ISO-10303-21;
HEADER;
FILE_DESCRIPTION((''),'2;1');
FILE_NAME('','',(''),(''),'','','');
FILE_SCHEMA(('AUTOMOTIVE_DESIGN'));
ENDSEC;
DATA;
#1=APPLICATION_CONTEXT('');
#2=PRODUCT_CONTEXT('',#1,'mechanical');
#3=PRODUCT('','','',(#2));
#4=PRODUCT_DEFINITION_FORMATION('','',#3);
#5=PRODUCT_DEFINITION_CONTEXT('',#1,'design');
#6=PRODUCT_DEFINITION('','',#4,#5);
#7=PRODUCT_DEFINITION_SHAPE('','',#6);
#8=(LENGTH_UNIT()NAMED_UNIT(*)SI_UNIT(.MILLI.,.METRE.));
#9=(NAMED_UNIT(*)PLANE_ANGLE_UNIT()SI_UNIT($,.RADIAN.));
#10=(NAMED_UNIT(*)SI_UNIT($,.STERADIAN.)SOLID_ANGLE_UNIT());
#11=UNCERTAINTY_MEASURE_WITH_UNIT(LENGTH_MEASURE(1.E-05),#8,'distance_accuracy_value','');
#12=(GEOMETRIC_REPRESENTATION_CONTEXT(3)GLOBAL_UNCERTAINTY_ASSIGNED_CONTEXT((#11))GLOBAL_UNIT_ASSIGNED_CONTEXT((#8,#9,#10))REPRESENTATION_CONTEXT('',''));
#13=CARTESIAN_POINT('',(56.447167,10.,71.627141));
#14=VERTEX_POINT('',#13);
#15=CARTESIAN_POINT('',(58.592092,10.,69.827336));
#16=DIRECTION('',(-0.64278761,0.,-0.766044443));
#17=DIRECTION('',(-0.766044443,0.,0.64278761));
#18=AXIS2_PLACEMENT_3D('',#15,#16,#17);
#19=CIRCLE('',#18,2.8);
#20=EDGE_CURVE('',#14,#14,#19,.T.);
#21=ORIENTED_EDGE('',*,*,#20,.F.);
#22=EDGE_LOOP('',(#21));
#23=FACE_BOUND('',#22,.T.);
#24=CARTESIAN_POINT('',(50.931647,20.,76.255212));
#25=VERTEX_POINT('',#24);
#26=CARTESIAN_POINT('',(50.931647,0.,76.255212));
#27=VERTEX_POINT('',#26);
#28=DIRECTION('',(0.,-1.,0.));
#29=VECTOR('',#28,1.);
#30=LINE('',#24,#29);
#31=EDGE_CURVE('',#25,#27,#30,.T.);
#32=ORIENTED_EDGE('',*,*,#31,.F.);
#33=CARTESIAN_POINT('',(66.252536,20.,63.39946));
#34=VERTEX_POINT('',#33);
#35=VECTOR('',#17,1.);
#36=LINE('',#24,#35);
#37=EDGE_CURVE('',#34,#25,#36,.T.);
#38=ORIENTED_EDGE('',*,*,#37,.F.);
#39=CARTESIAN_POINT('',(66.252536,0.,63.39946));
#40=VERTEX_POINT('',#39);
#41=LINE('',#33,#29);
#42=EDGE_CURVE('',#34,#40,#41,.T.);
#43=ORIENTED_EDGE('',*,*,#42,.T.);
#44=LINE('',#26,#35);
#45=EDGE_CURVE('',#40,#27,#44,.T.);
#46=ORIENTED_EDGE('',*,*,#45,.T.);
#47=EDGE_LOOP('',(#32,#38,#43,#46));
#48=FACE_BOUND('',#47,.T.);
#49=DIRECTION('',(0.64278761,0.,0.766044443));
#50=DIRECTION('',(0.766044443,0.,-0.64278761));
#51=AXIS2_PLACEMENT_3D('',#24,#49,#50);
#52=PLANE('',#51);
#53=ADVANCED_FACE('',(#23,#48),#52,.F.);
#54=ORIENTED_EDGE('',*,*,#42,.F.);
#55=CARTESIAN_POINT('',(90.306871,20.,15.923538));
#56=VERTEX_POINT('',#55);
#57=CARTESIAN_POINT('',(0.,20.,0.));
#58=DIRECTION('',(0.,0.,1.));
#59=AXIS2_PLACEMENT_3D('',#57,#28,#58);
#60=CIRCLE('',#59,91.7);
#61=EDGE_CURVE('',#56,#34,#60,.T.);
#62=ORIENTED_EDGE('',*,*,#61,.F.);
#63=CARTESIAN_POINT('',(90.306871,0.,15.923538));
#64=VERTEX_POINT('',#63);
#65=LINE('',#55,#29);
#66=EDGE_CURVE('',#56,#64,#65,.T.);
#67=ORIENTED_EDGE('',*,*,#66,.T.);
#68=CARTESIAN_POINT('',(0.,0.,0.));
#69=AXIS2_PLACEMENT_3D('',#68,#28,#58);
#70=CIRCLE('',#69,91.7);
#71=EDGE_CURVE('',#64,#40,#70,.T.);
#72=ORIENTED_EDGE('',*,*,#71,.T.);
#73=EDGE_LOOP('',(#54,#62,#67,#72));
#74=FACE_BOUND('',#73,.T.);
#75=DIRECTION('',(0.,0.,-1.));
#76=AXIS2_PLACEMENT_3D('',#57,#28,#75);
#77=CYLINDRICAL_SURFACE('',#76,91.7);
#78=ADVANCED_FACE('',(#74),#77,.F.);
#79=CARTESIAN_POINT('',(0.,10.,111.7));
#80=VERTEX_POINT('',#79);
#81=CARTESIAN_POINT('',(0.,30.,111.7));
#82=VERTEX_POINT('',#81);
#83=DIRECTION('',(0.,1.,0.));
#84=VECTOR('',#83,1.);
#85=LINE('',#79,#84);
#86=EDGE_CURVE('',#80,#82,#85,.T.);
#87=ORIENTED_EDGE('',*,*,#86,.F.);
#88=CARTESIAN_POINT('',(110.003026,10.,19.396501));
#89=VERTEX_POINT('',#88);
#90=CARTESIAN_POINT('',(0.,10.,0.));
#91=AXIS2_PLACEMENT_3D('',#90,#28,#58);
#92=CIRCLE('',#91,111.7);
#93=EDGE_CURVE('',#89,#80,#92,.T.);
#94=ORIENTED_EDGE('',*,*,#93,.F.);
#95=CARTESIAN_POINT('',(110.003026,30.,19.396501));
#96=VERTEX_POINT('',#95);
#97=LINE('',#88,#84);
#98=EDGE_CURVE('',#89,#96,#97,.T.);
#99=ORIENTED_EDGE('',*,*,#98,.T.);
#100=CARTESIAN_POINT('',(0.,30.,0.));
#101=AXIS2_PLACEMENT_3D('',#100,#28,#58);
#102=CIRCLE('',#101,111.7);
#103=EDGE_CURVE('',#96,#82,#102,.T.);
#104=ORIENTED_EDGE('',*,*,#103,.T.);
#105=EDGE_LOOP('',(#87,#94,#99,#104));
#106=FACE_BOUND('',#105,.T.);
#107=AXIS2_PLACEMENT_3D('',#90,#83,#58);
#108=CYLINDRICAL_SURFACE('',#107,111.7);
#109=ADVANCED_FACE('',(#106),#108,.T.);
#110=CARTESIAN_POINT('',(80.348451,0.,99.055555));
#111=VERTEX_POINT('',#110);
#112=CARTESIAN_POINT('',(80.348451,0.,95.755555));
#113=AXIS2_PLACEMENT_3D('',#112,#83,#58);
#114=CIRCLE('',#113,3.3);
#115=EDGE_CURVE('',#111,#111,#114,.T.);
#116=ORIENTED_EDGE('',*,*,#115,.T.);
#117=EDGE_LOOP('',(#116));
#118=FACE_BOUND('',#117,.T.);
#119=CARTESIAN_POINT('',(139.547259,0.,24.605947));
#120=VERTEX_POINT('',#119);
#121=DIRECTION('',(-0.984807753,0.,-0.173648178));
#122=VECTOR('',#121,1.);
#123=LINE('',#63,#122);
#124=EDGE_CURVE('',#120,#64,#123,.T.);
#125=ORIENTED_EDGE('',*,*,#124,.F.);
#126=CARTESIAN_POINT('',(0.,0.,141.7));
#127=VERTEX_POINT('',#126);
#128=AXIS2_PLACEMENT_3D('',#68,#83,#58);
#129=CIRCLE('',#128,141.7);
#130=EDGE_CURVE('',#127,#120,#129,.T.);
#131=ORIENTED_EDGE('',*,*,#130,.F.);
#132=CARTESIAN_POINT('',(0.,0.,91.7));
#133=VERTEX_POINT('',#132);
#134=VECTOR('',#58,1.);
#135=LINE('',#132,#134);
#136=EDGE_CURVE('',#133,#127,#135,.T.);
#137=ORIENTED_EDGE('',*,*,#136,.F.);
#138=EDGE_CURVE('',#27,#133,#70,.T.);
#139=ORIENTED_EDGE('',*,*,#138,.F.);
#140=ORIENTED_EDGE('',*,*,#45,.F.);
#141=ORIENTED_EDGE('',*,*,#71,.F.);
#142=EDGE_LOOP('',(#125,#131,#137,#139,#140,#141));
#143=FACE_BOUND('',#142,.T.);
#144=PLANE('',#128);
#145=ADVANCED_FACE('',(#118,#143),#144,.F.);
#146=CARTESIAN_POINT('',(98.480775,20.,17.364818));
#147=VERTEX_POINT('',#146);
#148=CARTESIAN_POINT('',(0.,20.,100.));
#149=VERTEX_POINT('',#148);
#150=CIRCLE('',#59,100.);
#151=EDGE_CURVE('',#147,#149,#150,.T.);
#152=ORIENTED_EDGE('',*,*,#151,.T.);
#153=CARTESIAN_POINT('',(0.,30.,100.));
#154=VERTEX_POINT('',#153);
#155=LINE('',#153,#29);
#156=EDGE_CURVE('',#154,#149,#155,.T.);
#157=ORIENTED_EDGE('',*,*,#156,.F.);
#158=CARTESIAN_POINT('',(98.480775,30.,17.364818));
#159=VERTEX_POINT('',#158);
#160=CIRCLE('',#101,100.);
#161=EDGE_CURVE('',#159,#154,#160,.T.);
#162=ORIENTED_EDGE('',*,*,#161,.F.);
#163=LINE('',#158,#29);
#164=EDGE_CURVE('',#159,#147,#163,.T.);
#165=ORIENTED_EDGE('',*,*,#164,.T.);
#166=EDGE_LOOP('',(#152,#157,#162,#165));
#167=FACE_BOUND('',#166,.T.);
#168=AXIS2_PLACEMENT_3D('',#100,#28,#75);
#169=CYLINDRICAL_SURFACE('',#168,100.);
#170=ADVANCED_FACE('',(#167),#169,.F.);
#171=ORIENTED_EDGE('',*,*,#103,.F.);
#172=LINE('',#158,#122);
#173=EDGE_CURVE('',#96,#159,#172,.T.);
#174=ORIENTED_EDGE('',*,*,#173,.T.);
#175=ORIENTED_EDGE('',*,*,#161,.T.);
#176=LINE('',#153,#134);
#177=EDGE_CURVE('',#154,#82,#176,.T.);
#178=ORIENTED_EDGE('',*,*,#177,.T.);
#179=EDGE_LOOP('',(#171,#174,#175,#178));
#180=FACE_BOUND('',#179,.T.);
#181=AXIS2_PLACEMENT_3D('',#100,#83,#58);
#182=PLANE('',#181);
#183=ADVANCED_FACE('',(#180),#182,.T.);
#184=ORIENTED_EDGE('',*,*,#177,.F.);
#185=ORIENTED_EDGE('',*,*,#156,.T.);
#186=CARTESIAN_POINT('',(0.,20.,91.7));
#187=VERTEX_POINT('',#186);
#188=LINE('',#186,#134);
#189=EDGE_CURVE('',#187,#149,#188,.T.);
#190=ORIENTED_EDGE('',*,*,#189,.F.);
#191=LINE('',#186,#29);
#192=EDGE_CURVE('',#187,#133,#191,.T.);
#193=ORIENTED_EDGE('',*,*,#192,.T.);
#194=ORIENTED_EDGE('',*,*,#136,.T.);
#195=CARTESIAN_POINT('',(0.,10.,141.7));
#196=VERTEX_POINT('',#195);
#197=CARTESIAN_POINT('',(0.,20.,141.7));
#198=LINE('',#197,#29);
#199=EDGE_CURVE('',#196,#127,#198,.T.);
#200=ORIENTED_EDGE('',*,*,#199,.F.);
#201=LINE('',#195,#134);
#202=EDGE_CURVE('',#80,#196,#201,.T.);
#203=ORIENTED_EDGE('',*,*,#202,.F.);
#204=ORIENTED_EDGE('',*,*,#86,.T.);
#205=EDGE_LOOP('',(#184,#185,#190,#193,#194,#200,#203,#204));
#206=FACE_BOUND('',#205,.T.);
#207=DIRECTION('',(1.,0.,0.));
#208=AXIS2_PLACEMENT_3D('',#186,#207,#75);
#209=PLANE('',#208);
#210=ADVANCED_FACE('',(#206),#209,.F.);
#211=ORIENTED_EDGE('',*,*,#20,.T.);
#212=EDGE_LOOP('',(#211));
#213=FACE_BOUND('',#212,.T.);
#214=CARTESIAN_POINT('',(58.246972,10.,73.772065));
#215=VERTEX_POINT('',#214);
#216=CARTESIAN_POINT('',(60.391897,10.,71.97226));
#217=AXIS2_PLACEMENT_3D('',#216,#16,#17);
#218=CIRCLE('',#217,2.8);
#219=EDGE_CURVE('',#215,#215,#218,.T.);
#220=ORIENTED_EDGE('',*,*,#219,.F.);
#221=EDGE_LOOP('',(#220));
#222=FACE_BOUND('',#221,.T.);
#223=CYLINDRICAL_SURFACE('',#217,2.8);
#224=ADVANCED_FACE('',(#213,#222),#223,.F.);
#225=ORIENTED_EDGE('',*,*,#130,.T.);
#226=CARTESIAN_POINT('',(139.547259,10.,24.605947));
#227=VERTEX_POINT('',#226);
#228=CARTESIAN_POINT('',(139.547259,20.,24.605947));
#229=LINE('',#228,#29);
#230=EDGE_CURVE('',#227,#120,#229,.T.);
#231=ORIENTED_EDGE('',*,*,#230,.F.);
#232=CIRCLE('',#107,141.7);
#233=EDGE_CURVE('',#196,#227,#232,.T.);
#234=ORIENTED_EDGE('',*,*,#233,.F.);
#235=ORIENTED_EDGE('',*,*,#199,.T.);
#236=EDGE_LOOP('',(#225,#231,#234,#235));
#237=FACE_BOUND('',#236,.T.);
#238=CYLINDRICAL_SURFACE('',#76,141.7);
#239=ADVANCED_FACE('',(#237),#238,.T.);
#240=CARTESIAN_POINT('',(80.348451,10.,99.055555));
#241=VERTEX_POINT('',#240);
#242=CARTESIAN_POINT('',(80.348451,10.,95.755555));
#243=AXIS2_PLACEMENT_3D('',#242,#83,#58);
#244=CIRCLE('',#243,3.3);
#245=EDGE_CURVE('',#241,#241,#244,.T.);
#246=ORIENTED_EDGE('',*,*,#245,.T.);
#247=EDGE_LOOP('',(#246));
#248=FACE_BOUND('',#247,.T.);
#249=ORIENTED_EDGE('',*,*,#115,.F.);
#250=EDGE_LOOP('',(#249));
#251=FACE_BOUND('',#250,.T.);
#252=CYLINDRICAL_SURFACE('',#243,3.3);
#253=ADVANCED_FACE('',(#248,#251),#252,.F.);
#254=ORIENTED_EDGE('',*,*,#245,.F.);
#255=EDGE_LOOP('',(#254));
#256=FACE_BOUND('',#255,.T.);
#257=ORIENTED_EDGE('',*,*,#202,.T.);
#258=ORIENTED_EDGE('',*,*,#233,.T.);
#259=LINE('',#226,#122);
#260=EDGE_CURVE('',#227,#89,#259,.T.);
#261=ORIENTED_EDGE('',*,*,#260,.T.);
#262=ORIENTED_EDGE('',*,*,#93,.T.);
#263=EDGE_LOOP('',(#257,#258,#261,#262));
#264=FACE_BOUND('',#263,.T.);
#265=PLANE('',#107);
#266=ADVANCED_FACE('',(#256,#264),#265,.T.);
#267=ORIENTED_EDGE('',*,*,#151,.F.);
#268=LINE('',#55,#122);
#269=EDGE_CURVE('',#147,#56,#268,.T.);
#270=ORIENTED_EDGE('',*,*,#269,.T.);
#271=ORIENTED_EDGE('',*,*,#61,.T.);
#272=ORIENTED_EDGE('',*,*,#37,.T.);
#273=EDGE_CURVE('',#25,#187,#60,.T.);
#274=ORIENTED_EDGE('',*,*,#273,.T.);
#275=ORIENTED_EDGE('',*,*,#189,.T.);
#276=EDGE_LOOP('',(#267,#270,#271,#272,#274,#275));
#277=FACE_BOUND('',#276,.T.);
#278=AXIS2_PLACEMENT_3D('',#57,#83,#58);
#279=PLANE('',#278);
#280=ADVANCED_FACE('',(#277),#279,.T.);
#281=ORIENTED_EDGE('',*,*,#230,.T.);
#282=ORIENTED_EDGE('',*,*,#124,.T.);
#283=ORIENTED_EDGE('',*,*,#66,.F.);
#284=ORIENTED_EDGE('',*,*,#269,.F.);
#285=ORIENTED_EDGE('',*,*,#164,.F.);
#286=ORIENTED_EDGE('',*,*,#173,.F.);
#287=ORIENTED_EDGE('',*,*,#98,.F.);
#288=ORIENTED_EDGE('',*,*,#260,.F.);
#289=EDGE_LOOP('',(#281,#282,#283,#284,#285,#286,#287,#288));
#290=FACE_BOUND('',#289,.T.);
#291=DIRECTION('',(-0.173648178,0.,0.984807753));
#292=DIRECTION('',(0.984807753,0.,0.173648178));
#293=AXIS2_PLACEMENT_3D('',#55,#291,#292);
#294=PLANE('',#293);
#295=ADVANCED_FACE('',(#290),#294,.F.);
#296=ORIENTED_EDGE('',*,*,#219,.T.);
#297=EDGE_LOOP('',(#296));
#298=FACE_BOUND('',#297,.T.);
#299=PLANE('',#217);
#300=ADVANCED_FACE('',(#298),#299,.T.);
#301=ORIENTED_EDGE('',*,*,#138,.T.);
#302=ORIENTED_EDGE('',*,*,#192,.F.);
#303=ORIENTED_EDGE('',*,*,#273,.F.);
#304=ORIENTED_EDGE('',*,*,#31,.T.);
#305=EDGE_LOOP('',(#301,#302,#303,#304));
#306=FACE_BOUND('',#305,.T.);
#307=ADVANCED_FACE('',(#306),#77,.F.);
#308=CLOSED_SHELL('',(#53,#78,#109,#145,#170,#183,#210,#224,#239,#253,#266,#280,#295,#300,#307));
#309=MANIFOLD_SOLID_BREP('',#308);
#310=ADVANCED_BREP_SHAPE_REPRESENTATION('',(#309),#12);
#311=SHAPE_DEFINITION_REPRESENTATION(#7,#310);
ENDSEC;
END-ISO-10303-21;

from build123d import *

# Parameters (mm, degrees)
ESTRUSIONE_ESTRUSIONE1_DEPTH = 20
ESTRUSIONE_ESTRUSIONE2_DEPTH = 10
SCHIZZO4_R                   = 2.8
TAGLIO_ESTRUSIONE2_DEPTH     = 2.8
TAGLIO_ESTRUSIONE3_START     = -20
TAGLIO_ESTRUSIONE3_DEPTH     = 20
FORO_PER_VITE_M6_1_D         = 6.6


with BuildPart() as part:
    # Schizzo1 → Estrusione-Estrusione1 (new body)
    with BuildSketch(Plane(origin=(0, 0, 0), x_dir=(1, 0, 0), z_dir=(0, 1, 0))):
        with BuildLine():
            Line((0, -91.7), (0, -141.7))
            ThreePointArc((0, -141.7), (91.083004293, -108.54849759), (139.547258602, -24.605946775))
            Line((139.547258602, -24.605946775), (90.306870951, -15.923537892))
            ThreePointArc((90.306870951, -15.923537892), (81.799772383, -41.444990506), (66.252536018, -63.399459549))
            Line((66.252536018, -63.399459549), (50.931647156, -76.255211743))
            ThreePointArc((50.931647156, -76.255211743), (26.610966566, -87.753897112), (0, -91.7))
        make_face()
    extrude(amount=ESTRUSIONE_ESTRUSIONE1_DEPTH)

    # Schizzo2 → Estrusione-Estrusione2 (add)
    with BuildSketch(Plane(origin=(0, 20, 0), x_dir=(1, 0, 0), z_dir=(0, 1, 0))):
        with BuildLine():
            Line((0, -100), (0, -141.7))
            ThreePointArc((0, -141.7), (91.083004293, -108.54849759), (139.547258602, -24.605946775))
            Line((139.547258602, -24.605946775), (98.480775301, -17.364817767))
            ThreePointArc((98.480775301, -17.364817767), (64.278760969, -76.604444312), (0, -100))
        make_face()
    extrude(amount=ESTRUSIONE_ESTRUSIONE2_DEPTH)

    # Schizzo4 → Taglio-Estrusione2 (cut)
    with BuildSketch(Plane(origin=(58.592091587, 0, 69.827335646), x_dir=(-0.7660444431189816, 0, 0.6427876096865353), z_dir=(-0.6427876096865353, 0, -0.7660444431189817))):
        with Locations((0, 10)):
            Circle(SCHIZZO4_R)
    extrude(amount=-TAGLIO_ESTRUSIONE2_DEPTH, mode=Mode.SUBTRACT)

    # Schizzo5 → Taglio-Estrusione3 (cut)
    with BuildSketch(Plane(origin=(0, 30, 0), x_dir=(1, 0, 0), z_dir=(0, 1, 0)).offset(TAGLIO_ESTRUSIONE3_START)):
        with BuildLine():
            Line((0, -141.7), (0, -111.7))
            ThreePointArc((0, -111.7), (71.799376002, -85.567164296), (110.003026011, -19.396501445))
            Line((110.003026011, -19.396501445), (139.547258602, -24.605946775))
            ThreePointArc((139.547258602, -24.605946775), (91.083004293, -108.54849759), (0, -141.7))
        make_face()
    extrude(amount=TAGLIO_ESTRUSIONE3_DEPTH, mode=Mode.SUBTRACT)

    # Foro per Vite M6-1 (through all)
    with Locations(Plane(origin=(80.348451211, 10, 95.75555539), x_dir=(0, 0, 1), z_dir=(0, 1, 0))):
        with Locations((0, 0)):
            Hole(FORO_PER_VITE_M6_1_D / 2)


solid = part.part
